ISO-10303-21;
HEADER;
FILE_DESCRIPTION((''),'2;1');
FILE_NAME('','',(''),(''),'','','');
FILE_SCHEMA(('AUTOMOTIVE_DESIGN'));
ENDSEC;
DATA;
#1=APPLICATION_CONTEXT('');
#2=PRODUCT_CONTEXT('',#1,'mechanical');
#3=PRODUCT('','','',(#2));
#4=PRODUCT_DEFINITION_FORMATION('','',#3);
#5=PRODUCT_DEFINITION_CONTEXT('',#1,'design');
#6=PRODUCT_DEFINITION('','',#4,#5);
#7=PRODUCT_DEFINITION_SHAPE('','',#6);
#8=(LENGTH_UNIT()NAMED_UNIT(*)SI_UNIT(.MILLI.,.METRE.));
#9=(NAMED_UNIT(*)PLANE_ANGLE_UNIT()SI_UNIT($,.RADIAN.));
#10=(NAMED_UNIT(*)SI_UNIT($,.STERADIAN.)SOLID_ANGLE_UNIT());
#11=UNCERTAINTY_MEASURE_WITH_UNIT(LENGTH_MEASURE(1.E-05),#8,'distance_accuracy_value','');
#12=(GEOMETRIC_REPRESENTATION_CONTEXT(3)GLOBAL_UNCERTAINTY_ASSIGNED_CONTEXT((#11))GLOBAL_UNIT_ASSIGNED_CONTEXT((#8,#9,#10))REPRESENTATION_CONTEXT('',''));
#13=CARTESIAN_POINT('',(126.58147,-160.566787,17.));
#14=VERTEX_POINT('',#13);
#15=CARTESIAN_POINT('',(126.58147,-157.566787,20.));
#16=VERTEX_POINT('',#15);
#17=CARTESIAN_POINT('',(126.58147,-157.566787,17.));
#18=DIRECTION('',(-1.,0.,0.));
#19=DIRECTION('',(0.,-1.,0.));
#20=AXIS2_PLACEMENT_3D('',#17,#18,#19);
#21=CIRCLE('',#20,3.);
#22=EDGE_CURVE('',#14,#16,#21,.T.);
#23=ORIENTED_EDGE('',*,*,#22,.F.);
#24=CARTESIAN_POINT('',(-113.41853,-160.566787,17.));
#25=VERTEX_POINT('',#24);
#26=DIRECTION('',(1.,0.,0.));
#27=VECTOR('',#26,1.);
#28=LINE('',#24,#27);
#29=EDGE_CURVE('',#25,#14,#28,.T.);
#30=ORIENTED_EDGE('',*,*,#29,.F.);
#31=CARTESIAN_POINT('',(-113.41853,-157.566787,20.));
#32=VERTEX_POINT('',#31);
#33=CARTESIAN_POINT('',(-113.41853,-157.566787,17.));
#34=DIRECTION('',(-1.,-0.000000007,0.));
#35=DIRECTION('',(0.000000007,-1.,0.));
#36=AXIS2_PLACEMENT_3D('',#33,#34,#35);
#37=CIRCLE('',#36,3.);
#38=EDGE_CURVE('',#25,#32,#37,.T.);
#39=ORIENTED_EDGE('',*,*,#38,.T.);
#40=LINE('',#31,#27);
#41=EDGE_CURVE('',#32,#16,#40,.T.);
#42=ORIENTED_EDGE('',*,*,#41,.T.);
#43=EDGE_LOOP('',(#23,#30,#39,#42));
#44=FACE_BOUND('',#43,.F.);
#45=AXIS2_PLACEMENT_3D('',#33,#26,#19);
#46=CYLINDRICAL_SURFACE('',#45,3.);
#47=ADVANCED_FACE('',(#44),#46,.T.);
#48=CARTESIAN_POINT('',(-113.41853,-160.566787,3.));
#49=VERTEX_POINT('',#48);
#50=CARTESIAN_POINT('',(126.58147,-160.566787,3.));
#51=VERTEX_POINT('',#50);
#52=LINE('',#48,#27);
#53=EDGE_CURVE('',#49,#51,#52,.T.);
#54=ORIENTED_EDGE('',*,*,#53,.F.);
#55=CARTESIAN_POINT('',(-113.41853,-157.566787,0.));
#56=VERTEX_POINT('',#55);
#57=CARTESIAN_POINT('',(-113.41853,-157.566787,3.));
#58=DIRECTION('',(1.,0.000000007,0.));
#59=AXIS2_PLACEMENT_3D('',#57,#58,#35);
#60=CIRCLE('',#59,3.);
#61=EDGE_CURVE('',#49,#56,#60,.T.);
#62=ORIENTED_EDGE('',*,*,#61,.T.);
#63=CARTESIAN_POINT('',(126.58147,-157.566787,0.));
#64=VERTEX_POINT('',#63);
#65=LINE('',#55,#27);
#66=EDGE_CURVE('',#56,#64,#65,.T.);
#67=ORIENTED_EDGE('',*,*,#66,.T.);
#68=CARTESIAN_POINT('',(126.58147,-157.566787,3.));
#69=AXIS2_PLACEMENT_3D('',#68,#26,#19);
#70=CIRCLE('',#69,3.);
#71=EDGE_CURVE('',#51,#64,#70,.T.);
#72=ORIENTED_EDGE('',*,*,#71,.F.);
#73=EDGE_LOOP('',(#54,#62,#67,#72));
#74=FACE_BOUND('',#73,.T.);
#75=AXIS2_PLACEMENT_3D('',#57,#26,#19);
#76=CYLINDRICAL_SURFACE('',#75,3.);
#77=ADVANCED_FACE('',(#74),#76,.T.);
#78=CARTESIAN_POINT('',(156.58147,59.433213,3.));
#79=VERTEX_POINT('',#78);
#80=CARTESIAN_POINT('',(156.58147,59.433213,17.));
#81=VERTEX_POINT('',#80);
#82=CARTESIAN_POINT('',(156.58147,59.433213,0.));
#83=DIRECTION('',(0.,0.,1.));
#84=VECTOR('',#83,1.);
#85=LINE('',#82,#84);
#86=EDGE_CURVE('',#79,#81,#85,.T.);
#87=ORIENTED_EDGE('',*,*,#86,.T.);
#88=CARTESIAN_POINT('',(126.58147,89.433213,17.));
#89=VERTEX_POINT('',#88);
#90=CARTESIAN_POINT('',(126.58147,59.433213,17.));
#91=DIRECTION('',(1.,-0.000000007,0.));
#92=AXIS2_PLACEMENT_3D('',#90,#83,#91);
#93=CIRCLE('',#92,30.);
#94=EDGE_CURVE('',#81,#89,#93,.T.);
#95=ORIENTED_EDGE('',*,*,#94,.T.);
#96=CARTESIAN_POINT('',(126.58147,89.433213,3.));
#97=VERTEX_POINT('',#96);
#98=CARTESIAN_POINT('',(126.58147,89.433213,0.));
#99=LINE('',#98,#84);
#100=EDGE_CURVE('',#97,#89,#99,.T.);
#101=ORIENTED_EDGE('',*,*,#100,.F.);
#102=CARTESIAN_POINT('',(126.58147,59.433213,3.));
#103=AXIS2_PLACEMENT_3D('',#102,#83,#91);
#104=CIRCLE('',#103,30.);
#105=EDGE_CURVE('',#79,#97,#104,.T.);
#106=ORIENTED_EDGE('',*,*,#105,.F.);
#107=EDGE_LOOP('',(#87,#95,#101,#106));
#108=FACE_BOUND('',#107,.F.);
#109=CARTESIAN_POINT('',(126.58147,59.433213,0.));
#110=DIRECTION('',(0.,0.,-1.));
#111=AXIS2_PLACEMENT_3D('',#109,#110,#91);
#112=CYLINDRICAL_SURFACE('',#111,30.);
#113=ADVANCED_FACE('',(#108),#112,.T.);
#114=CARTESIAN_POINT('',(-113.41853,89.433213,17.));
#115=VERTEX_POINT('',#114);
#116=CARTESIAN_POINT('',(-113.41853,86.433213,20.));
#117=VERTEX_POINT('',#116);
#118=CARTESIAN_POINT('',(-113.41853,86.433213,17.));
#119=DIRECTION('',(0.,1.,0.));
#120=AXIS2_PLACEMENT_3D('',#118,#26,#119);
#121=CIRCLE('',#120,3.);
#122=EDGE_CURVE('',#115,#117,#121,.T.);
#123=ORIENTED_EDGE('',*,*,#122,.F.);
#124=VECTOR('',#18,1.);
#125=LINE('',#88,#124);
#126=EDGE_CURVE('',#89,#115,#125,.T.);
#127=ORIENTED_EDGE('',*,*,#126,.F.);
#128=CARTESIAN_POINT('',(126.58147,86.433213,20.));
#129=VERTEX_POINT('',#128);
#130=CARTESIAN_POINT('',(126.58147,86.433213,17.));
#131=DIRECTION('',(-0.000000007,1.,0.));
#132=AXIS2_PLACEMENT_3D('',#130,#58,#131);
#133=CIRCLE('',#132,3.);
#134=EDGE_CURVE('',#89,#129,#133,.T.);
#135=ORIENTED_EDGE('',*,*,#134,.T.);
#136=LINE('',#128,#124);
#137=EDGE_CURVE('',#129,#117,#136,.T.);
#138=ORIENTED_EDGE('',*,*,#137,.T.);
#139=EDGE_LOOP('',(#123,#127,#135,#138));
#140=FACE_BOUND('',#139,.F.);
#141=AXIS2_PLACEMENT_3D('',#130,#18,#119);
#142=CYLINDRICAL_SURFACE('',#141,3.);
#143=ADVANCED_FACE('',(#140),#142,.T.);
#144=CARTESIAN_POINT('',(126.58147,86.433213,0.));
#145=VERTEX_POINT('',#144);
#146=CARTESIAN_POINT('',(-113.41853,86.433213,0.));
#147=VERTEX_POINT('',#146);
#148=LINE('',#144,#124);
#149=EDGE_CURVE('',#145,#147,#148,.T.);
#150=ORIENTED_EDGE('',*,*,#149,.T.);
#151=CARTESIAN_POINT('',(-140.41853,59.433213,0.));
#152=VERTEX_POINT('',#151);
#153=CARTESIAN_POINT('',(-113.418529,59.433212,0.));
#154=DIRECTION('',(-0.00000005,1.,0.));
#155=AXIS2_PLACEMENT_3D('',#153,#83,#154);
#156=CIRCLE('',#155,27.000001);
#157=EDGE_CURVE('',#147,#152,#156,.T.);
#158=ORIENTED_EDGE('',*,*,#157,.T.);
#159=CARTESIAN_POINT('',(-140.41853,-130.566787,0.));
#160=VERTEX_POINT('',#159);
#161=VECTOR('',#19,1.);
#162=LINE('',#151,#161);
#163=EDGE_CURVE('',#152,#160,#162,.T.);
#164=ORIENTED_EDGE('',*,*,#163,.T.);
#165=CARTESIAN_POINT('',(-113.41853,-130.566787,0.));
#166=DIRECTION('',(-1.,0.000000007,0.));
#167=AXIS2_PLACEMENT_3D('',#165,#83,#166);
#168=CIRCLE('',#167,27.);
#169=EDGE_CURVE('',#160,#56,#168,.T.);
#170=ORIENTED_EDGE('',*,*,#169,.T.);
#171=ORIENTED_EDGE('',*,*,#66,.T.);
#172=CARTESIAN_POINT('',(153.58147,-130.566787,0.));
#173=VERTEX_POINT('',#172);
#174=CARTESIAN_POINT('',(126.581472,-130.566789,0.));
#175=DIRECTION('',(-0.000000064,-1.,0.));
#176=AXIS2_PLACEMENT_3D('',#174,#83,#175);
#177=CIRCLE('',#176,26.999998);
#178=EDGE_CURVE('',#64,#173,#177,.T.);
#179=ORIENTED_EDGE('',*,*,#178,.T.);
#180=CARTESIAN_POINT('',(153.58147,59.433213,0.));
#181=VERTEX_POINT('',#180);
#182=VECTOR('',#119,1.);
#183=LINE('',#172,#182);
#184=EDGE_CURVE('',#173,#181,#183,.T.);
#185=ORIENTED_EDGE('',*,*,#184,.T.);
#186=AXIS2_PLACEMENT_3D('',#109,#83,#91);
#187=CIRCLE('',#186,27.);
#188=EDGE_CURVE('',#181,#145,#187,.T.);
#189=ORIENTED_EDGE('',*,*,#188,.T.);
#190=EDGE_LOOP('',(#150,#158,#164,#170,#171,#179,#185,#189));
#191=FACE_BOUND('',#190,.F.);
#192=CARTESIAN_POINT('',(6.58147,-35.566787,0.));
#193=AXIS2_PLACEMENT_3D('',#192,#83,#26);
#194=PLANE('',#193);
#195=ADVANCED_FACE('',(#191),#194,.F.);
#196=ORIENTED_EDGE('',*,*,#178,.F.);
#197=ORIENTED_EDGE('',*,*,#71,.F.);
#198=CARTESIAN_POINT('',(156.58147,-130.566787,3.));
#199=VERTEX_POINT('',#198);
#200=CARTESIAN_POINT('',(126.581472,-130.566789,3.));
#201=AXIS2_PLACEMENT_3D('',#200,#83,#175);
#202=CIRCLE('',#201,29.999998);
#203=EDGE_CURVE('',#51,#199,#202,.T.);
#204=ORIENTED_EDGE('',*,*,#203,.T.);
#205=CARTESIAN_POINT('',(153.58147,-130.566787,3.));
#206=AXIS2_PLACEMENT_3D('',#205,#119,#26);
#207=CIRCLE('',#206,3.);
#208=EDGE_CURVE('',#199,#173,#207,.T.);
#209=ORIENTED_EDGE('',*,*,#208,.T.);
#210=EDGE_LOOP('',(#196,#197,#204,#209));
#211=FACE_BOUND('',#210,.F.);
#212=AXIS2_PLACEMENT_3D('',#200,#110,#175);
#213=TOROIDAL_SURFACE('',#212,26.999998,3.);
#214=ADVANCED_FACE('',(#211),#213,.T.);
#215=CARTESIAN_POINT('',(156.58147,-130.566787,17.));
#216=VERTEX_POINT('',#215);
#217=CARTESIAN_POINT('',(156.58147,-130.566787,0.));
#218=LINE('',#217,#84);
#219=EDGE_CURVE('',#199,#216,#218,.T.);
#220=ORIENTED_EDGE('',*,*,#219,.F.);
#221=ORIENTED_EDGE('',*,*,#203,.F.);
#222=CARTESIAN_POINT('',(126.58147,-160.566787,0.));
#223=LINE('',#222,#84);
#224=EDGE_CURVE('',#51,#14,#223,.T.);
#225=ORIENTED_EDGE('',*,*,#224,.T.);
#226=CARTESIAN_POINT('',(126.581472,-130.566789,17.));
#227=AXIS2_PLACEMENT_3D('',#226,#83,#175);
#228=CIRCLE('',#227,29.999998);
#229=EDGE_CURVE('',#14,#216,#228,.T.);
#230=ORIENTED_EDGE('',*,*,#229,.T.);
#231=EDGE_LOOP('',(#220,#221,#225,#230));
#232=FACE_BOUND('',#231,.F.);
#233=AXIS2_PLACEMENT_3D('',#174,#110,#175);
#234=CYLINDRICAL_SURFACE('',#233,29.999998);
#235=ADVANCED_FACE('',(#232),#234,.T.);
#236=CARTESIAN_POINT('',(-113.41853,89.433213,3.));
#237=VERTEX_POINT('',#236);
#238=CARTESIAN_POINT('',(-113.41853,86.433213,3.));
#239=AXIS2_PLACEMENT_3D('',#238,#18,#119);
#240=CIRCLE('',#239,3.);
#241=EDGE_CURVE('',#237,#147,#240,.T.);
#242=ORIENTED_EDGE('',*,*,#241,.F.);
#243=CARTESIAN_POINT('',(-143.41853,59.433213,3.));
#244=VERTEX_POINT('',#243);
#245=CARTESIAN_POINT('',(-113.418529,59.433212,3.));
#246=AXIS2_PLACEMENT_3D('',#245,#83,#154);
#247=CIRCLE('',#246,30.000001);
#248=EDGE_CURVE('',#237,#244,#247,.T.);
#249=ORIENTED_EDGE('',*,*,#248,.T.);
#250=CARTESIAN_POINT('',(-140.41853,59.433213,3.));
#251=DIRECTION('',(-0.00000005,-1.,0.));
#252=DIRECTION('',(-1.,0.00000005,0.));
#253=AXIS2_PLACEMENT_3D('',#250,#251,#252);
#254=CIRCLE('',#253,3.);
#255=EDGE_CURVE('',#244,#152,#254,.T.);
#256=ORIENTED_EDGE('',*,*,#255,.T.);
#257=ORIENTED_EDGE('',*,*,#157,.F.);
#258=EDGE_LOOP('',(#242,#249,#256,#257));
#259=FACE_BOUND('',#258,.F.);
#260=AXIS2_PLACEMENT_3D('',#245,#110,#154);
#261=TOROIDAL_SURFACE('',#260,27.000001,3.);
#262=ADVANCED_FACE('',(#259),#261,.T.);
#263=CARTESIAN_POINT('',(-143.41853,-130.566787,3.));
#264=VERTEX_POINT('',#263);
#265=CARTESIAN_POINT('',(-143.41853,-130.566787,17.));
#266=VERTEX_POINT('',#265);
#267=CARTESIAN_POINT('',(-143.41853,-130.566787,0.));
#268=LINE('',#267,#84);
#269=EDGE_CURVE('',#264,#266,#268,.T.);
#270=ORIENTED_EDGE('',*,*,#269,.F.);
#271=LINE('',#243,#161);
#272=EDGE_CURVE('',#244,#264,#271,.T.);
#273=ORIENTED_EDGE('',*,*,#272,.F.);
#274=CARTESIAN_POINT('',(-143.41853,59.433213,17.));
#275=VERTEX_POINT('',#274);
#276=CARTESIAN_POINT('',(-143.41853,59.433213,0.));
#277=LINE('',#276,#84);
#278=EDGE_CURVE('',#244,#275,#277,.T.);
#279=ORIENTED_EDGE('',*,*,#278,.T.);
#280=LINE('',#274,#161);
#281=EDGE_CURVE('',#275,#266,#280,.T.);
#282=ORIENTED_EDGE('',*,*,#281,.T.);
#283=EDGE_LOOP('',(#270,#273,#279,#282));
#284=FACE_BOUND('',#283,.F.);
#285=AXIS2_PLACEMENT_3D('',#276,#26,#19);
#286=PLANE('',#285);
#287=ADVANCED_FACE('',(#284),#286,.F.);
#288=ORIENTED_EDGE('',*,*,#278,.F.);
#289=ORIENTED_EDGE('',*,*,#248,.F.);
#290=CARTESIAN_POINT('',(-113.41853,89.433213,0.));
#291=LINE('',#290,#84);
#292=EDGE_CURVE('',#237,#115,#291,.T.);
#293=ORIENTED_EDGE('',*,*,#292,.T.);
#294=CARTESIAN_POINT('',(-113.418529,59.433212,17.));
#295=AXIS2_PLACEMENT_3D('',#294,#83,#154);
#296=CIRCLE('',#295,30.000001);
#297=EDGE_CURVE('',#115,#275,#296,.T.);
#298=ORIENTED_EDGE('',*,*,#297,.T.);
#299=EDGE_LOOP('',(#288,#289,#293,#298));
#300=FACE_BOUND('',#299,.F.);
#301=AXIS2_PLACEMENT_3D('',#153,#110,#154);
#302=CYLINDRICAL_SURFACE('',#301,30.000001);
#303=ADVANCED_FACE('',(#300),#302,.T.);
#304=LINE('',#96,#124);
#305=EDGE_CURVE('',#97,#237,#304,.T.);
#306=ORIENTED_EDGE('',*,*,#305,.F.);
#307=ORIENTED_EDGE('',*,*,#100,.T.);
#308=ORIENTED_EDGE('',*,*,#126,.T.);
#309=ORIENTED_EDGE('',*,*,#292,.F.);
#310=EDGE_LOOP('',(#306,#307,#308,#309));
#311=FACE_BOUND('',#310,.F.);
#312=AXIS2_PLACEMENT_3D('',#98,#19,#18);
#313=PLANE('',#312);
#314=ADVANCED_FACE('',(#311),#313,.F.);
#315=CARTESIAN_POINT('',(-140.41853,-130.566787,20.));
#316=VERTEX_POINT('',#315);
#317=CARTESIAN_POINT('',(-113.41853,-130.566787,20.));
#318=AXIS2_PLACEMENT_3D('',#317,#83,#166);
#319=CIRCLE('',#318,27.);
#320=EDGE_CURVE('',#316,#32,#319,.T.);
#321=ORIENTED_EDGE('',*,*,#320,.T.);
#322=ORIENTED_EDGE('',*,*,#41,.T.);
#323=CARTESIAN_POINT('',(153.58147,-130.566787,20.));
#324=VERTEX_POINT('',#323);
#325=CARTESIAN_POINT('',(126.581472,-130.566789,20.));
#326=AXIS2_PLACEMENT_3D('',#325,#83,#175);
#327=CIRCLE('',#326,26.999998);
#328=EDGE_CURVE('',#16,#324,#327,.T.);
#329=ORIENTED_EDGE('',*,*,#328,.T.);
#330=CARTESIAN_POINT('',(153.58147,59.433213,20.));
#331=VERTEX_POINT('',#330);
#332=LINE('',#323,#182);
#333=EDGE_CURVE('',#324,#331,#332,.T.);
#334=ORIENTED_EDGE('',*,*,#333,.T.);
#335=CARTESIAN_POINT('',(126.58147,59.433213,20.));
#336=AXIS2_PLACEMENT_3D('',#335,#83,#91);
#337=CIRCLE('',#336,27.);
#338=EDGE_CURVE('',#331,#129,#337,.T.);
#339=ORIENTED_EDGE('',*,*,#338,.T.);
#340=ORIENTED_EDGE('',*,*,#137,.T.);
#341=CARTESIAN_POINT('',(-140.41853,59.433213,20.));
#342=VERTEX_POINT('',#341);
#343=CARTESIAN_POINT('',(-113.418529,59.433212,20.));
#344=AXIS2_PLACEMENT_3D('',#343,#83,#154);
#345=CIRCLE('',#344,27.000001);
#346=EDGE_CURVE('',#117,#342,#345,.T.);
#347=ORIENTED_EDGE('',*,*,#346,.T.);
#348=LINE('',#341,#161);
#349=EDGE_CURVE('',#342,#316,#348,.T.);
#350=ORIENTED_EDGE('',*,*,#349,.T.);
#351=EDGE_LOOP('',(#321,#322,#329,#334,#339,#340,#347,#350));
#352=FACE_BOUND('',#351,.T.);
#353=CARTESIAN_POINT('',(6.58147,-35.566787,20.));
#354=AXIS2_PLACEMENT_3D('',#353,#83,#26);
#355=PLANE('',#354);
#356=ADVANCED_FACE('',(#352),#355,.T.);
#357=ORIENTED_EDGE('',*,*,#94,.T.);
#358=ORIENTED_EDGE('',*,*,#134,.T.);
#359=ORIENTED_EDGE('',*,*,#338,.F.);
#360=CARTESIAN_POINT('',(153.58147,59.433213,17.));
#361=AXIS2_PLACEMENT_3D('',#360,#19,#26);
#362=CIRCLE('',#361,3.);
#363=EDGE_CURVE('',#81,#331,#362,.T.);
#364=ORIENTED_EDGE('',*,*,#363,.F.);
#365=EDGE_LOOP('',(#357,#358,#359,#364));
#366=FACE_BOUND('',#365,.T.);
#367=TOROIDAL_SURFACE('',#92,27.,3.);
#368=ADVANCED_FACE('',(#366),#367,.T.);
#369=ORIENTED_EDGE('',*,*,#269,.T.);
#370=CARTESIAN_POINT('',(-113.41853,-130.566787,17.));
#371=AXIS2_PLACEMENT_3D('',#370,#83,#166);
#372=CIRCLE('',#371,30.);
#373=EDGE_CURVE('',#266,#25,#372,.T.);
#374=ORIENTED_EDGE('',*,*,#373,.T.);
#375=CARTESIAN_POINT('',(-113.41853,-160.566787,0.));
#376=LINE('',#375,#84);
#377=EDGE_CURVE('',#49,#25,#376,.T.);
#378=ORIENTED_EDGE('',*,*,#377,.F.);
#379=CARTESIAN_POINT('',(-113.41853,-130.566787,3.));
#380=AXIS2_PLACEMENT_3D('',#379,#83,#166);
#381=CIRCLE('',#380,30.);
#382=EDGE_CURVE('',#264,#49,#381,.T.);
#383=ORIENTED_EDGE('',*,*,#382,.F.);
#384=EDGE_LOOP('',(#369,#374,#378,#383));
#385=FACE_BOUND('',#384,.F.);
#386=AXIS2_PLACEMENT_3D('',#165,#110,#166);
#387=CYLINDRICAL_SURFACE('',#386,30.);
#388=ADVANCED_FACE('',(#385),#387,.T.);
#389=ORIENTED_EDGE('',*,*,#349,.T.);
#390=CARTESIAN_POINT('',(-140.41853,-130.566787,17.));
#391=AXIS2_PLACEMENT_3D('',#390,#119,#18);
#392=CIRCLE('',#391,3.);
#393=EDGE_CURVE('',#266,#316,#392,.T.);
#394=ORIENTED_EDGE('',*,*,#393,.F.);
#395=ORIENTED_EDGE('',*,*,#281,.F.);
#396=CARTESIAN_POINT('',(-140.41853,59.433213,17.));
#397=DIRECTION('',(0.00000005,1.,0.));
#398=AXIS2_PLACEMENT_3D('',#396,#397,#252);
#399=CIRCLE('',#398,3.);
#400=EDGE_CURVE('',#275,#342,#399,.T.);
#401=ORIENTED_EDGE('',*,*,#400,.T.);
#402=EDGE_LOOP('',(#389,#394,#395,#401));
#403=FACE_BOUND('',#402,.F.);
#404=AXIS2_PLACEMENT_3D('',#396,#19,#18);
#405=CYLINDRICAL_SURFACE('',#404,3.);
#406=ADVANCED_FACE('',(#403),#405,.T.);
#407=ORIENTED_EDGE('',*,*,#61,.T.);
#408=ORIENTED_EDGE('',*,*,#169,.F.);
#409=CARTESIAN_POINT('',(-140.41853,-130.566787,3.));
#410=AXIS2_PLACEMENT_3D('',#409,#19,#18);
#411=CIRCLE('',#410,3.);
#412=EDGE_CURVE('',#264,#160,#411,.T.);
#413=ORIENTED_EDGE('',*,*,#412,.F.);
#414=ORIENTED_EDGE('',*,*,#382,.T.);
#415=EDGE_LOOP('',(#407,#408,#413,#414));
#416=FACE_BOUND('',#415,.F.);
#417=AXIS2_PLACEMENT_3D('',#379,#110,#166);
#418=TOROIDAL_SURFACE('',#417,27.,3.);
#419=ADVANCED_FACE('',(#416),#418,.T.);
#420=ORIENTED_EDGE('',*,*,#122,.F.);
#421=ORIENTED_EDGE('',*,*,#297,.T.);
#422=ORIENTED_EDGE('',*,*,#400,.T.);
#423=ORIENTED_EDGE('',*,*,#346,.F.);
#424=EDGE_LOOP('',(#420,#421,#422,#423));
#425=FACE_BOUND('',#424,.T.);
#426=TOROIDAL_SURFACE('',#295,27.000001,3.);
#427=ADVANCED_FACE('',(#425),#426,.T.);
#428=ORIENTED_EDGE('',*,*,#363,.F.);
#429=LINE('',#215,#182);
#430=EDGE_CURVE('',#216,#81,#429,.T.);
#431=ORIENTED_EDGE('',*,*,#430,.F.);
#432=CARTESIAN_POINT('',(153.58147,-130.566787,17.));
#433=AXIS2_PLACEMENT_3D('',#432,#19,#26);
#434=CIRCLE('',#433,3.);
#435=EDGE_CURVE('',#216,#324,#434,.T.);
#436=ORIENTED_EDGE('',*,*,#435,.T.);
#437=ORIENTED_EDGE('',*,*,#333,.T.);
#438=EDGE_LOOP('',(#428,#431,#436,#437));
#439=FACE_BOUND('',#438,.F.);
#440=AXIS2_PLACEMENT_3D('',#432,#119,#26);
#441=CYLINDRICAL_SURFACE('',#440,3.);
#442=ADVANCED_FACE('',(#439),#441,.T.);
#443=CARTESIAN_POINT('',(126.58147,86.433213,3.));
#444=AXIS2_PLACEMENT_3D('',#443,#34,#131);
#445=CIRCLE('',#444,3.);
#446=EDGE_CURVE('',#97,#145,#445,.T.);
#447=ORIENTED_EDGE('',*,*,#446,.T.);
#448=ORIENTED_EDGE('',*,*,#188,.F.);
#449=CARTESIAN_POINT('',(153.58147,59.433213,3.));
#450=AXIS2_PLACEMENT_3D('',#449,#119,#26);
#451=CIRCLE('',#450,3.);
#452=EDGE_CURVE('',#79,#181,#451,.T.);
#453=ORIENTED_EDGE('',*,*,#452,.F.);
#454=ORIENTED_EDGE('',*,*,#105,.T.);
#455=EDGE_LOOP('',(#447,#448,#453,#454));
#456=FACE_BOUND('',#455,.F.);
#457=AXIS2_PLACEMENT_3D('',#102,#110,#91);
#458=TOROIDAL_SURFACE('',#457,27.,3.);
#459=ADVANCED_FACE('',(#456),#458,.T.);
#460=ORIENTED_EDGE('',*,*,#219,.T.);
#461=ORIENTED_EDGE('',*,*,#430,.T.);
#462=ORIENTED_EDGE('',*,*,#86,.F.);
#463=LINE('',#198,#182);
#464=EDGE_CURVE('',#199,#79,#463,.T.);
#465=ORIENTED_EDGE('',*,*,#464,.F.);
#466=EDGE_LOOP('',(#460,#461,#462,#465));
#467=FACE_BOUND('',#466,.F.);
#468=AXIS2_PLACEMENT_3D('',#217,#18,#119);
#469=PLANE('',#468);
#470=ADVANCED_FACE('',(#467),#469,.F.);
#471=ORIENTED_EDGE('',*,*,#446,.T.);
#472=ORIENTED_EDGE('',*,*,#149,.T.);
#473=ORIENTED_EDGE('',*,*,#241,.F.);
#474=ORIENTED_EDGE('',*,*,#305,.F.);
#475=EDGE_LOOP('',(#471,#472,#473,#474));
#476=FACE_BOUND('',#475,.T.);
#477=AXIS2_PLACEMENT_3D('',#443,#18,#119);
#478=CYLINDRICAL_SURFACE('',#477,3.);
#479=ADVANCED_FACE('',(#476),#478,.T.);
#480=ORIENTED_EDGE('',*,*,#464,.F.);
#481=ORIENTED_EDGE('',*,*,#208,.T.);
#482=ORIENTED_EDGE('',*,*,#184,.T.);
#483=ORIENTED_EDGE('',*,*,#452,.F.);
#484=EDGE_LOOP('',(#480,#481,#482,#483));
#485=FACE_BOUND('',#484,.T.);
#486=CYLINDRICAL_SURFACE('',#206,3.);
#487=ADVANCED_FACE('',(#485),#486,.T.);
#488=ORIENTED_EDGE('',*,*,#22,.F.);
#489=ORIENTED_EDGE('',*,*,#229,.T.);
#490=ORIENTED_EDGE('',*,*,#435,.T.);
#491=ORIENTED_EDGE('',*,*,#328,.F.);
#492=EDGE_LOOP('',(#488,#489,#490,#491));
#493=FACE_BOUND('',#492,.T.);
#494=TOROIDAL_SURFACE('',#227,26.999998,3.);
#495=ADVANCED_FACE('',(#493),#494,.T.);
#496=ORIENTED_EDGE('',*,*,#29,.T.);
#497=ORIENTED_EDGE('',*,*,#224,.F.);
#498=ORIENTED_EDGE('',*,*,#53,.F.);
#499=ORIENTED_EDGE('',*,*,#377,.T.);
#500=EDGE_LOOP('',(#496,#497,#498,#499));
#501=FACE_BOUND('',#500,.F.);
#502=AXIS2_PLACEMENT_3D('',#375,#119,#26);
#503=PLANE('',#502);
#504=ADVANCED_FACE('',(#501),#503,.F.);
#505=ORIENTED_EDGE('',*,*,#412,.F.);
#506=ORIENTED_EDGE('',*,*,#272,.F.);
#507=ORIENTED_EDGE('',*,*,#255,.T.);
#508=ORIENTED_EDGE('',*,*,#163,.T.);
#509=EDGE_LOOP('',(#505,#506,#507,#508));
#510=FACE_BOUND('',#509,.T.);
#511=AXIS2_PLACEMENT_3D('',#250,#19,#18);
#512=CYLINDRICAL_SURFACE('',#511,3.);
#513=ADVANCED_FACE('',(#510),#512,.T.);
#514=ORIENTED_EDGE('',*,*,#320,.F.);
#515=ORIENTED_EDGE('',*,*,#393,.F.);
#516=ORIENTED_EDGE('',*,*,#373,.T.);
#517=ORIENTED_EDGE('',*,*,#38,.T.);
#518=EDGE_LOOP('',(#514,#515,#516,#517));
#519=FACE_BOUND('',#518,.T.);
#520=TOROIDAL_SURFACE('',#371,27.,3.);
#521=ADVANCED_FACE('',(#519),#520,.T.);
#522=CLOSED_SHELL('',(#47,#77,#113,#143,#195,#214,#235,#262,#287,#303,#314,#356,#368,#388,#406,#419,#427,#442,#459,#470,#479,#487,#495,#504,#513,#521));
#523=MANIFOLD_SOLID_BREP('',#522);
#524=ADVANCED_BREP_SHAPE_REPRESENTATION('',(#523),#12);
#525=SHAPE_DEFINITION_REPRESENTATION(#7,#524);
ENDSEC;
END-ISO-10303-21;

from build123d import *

# Parameters (mm, degrees)
F1_DEPTH = 20
F2_R     = 3


with BuildPart() as f1:
    # F0 (on Top) → F1 (new body)
    with BuildSketch(Plane.XY):
        with BuildLine():
            Line((126.58147, 89.433213), (-113.41853, 89.433213))
            ThreePointArc((-113.41853, 89.433213), (-134.631733, 80.646416), (-143.41853, 59.433213))
            Line((-143.41853, 59.433213), (-143.41853, -130.566787))
            ThreePointArc((-143.41853, -130.566787), (-134.631733, -151.779991), (-113.41853, -160.566787))
            Line((-113.41853, -160.566787), (126.58147, -160.566787))
            ThreePointArc((126.58147, -160.566787), (147.794674, -151.779991), (156.58147, -130.566787))
            Line((156.58147, -130.566787), (156.58147, 59.433213))
            ThreePointArc((156.58147, 59.433213), (147.794674, 80.646416), (126.58147, 89.433213))
        make_face()
    extrude(amount=F1_DEPTH)

    # F2
    f2_edges = [f1.edges().sort_by_distance(p)[0] for p in [
        (156.58147, -35.566787, 20),
        (147.794674, 80.646416, 20),
        (6.58147, 89.433213, 20),
        (-134.631733, 80.646416, 20),
        (-143.41853, -35.566787, 20),
        (-134.631733, -151.779991, 20),
        (6.58147, -160.566787, 20),
        (147.794674, -151.779991, 20),
        (156.58147, -35.566787, 0),
        (147.794674, 80.646416, 0),
        (6.58147, 89.433213, 0),
        (-134.631733, 80.646416, 0),
        (-143.41853, -35.566787, 0),
        (-134.631733, -151.779991, 0),
        (6.58147, -160.566787, 0),
        (147.794674, -151.779991, 0),
    ]]
    fillet(f2_edges, radius=F2_R)


solid = f1.part
